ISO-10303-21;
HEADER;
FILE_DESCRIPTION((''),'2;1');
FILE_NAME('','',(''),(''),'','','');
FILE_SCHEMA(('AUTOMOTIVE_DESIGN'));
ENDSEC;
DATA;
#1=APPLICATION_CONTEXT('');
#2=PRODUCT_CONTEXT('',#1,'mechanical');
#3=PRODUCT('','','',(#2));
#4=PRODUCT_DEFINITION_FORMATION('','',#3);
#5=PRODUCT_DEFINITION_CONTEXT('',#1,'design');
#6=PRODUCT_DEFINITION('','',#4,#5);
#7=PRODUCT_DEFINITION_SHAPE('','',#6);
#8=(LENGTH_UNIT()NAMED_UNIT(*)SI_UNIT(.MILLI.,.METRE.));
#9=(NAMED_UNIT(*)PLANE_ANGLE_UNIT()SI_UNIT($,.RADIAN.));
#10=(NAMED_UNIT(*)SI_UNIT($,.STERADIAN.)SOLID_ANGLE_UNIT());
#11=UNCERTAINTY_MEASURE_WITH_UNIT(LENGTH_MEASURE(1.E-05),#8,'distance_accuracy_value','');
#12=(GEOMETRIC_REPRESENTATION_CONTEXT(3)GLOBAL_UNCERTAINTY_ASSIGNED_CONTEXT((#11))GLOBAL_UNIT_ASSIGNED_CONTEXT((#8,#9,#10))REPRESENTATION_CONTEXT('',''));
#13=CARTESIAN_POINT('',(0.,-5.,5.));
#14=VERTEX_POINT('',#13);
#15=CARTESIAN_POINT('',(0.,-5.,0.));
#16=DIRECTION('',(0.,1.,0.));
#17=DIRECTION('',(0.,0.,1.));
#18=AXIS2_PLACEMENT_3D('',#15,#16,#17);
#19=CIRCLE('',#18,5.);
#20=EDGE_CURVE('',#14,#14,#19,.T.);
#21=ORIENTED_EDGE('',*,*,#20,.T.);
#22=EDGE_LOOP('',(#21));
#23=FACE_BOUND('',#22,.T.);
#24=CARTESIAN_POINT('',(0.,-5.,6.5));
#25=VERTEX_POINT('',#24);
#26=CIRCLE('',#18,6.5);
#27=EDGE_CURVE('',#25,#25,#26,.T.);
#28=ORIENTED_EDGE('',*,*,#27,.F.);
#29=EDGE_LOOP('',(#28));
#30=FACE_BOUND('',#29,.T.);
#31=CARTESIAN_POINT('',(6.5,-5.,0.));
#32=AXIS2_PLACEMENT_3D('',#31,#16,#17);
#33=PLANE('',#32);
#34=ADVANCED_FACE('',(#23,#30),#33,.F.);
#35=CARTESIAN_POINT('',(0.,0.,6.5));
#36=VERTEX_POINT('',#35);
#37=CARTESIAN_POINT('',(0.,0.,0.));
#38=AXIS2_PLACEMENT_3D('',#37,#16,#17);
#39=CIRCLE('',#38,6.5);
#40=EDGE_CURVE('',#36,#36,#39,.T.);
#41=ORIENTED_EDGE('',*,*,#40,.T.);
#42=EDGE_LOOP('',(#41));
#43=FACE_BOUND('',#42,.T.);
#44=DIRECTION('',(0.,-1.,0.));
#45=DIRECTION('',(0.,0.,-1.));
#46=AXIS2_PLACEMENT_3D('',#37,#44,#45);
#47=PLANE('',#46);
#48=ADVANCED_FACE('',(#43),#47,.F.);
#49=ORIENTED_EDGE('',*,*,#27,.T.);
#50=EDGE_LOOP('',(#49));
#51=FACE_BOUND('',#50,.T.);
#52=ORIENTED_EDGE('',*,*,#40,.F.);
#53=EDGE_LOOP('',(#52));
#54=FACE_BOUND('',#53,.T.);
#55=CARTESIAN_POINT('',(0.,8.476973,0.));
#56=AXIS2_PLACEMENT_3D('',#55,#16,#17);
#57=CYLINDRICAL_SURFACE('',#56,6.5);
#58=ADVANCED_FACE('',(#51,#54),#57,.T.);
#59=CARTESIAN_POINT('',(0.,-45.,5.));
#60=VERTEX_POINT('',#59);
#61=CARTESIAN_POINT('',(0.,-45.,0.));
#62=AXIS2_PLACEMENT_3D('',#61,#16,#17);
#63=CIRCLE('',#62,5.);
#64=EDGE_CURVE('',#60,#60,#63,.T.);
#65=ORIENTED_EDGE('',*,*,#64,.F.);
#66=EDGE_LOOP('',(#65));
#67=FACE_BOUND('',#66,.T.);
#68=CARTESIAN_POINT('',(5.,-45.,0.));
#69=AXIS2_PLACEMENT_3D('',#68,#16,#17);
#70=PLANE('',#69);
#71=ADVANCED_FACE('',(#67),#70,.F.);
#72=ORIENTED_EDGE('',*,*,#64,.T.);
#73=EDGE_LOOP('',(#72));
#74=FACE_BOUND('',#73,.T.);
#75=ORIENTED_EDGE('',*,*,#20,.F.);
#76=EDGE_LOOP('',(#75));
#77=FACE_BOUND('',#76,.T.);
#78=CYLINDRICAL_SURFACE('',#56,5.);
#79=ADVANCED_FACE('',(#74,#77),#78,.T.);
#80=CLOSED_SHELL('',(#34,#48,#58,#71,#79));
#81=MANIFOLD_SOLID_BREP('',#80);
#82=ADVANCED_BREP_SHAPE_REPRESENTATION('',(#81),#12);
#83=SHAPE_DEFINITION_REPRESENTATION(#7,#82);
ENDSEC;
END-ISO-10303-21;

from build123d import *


with BuildPart() as part:
    # Sketch1 → Revolve1 (revolve)
    with BuildSketch(Plane.XY, mode=Mode.PRIVATE) as revolve1_sk:
        Polygon((0, 0), (6.5, 0), (6.5, -5), (5, -5), (5, -45), (0, -45), align=None)
    revolve(revolve1_sk.sketch.rotate(Axis((0, 8.476973089, 0), (0, -1, 0)), 90), axis=Axis((0, 8.476973089, 0), (0, -1, 0)))


solid = part.part
